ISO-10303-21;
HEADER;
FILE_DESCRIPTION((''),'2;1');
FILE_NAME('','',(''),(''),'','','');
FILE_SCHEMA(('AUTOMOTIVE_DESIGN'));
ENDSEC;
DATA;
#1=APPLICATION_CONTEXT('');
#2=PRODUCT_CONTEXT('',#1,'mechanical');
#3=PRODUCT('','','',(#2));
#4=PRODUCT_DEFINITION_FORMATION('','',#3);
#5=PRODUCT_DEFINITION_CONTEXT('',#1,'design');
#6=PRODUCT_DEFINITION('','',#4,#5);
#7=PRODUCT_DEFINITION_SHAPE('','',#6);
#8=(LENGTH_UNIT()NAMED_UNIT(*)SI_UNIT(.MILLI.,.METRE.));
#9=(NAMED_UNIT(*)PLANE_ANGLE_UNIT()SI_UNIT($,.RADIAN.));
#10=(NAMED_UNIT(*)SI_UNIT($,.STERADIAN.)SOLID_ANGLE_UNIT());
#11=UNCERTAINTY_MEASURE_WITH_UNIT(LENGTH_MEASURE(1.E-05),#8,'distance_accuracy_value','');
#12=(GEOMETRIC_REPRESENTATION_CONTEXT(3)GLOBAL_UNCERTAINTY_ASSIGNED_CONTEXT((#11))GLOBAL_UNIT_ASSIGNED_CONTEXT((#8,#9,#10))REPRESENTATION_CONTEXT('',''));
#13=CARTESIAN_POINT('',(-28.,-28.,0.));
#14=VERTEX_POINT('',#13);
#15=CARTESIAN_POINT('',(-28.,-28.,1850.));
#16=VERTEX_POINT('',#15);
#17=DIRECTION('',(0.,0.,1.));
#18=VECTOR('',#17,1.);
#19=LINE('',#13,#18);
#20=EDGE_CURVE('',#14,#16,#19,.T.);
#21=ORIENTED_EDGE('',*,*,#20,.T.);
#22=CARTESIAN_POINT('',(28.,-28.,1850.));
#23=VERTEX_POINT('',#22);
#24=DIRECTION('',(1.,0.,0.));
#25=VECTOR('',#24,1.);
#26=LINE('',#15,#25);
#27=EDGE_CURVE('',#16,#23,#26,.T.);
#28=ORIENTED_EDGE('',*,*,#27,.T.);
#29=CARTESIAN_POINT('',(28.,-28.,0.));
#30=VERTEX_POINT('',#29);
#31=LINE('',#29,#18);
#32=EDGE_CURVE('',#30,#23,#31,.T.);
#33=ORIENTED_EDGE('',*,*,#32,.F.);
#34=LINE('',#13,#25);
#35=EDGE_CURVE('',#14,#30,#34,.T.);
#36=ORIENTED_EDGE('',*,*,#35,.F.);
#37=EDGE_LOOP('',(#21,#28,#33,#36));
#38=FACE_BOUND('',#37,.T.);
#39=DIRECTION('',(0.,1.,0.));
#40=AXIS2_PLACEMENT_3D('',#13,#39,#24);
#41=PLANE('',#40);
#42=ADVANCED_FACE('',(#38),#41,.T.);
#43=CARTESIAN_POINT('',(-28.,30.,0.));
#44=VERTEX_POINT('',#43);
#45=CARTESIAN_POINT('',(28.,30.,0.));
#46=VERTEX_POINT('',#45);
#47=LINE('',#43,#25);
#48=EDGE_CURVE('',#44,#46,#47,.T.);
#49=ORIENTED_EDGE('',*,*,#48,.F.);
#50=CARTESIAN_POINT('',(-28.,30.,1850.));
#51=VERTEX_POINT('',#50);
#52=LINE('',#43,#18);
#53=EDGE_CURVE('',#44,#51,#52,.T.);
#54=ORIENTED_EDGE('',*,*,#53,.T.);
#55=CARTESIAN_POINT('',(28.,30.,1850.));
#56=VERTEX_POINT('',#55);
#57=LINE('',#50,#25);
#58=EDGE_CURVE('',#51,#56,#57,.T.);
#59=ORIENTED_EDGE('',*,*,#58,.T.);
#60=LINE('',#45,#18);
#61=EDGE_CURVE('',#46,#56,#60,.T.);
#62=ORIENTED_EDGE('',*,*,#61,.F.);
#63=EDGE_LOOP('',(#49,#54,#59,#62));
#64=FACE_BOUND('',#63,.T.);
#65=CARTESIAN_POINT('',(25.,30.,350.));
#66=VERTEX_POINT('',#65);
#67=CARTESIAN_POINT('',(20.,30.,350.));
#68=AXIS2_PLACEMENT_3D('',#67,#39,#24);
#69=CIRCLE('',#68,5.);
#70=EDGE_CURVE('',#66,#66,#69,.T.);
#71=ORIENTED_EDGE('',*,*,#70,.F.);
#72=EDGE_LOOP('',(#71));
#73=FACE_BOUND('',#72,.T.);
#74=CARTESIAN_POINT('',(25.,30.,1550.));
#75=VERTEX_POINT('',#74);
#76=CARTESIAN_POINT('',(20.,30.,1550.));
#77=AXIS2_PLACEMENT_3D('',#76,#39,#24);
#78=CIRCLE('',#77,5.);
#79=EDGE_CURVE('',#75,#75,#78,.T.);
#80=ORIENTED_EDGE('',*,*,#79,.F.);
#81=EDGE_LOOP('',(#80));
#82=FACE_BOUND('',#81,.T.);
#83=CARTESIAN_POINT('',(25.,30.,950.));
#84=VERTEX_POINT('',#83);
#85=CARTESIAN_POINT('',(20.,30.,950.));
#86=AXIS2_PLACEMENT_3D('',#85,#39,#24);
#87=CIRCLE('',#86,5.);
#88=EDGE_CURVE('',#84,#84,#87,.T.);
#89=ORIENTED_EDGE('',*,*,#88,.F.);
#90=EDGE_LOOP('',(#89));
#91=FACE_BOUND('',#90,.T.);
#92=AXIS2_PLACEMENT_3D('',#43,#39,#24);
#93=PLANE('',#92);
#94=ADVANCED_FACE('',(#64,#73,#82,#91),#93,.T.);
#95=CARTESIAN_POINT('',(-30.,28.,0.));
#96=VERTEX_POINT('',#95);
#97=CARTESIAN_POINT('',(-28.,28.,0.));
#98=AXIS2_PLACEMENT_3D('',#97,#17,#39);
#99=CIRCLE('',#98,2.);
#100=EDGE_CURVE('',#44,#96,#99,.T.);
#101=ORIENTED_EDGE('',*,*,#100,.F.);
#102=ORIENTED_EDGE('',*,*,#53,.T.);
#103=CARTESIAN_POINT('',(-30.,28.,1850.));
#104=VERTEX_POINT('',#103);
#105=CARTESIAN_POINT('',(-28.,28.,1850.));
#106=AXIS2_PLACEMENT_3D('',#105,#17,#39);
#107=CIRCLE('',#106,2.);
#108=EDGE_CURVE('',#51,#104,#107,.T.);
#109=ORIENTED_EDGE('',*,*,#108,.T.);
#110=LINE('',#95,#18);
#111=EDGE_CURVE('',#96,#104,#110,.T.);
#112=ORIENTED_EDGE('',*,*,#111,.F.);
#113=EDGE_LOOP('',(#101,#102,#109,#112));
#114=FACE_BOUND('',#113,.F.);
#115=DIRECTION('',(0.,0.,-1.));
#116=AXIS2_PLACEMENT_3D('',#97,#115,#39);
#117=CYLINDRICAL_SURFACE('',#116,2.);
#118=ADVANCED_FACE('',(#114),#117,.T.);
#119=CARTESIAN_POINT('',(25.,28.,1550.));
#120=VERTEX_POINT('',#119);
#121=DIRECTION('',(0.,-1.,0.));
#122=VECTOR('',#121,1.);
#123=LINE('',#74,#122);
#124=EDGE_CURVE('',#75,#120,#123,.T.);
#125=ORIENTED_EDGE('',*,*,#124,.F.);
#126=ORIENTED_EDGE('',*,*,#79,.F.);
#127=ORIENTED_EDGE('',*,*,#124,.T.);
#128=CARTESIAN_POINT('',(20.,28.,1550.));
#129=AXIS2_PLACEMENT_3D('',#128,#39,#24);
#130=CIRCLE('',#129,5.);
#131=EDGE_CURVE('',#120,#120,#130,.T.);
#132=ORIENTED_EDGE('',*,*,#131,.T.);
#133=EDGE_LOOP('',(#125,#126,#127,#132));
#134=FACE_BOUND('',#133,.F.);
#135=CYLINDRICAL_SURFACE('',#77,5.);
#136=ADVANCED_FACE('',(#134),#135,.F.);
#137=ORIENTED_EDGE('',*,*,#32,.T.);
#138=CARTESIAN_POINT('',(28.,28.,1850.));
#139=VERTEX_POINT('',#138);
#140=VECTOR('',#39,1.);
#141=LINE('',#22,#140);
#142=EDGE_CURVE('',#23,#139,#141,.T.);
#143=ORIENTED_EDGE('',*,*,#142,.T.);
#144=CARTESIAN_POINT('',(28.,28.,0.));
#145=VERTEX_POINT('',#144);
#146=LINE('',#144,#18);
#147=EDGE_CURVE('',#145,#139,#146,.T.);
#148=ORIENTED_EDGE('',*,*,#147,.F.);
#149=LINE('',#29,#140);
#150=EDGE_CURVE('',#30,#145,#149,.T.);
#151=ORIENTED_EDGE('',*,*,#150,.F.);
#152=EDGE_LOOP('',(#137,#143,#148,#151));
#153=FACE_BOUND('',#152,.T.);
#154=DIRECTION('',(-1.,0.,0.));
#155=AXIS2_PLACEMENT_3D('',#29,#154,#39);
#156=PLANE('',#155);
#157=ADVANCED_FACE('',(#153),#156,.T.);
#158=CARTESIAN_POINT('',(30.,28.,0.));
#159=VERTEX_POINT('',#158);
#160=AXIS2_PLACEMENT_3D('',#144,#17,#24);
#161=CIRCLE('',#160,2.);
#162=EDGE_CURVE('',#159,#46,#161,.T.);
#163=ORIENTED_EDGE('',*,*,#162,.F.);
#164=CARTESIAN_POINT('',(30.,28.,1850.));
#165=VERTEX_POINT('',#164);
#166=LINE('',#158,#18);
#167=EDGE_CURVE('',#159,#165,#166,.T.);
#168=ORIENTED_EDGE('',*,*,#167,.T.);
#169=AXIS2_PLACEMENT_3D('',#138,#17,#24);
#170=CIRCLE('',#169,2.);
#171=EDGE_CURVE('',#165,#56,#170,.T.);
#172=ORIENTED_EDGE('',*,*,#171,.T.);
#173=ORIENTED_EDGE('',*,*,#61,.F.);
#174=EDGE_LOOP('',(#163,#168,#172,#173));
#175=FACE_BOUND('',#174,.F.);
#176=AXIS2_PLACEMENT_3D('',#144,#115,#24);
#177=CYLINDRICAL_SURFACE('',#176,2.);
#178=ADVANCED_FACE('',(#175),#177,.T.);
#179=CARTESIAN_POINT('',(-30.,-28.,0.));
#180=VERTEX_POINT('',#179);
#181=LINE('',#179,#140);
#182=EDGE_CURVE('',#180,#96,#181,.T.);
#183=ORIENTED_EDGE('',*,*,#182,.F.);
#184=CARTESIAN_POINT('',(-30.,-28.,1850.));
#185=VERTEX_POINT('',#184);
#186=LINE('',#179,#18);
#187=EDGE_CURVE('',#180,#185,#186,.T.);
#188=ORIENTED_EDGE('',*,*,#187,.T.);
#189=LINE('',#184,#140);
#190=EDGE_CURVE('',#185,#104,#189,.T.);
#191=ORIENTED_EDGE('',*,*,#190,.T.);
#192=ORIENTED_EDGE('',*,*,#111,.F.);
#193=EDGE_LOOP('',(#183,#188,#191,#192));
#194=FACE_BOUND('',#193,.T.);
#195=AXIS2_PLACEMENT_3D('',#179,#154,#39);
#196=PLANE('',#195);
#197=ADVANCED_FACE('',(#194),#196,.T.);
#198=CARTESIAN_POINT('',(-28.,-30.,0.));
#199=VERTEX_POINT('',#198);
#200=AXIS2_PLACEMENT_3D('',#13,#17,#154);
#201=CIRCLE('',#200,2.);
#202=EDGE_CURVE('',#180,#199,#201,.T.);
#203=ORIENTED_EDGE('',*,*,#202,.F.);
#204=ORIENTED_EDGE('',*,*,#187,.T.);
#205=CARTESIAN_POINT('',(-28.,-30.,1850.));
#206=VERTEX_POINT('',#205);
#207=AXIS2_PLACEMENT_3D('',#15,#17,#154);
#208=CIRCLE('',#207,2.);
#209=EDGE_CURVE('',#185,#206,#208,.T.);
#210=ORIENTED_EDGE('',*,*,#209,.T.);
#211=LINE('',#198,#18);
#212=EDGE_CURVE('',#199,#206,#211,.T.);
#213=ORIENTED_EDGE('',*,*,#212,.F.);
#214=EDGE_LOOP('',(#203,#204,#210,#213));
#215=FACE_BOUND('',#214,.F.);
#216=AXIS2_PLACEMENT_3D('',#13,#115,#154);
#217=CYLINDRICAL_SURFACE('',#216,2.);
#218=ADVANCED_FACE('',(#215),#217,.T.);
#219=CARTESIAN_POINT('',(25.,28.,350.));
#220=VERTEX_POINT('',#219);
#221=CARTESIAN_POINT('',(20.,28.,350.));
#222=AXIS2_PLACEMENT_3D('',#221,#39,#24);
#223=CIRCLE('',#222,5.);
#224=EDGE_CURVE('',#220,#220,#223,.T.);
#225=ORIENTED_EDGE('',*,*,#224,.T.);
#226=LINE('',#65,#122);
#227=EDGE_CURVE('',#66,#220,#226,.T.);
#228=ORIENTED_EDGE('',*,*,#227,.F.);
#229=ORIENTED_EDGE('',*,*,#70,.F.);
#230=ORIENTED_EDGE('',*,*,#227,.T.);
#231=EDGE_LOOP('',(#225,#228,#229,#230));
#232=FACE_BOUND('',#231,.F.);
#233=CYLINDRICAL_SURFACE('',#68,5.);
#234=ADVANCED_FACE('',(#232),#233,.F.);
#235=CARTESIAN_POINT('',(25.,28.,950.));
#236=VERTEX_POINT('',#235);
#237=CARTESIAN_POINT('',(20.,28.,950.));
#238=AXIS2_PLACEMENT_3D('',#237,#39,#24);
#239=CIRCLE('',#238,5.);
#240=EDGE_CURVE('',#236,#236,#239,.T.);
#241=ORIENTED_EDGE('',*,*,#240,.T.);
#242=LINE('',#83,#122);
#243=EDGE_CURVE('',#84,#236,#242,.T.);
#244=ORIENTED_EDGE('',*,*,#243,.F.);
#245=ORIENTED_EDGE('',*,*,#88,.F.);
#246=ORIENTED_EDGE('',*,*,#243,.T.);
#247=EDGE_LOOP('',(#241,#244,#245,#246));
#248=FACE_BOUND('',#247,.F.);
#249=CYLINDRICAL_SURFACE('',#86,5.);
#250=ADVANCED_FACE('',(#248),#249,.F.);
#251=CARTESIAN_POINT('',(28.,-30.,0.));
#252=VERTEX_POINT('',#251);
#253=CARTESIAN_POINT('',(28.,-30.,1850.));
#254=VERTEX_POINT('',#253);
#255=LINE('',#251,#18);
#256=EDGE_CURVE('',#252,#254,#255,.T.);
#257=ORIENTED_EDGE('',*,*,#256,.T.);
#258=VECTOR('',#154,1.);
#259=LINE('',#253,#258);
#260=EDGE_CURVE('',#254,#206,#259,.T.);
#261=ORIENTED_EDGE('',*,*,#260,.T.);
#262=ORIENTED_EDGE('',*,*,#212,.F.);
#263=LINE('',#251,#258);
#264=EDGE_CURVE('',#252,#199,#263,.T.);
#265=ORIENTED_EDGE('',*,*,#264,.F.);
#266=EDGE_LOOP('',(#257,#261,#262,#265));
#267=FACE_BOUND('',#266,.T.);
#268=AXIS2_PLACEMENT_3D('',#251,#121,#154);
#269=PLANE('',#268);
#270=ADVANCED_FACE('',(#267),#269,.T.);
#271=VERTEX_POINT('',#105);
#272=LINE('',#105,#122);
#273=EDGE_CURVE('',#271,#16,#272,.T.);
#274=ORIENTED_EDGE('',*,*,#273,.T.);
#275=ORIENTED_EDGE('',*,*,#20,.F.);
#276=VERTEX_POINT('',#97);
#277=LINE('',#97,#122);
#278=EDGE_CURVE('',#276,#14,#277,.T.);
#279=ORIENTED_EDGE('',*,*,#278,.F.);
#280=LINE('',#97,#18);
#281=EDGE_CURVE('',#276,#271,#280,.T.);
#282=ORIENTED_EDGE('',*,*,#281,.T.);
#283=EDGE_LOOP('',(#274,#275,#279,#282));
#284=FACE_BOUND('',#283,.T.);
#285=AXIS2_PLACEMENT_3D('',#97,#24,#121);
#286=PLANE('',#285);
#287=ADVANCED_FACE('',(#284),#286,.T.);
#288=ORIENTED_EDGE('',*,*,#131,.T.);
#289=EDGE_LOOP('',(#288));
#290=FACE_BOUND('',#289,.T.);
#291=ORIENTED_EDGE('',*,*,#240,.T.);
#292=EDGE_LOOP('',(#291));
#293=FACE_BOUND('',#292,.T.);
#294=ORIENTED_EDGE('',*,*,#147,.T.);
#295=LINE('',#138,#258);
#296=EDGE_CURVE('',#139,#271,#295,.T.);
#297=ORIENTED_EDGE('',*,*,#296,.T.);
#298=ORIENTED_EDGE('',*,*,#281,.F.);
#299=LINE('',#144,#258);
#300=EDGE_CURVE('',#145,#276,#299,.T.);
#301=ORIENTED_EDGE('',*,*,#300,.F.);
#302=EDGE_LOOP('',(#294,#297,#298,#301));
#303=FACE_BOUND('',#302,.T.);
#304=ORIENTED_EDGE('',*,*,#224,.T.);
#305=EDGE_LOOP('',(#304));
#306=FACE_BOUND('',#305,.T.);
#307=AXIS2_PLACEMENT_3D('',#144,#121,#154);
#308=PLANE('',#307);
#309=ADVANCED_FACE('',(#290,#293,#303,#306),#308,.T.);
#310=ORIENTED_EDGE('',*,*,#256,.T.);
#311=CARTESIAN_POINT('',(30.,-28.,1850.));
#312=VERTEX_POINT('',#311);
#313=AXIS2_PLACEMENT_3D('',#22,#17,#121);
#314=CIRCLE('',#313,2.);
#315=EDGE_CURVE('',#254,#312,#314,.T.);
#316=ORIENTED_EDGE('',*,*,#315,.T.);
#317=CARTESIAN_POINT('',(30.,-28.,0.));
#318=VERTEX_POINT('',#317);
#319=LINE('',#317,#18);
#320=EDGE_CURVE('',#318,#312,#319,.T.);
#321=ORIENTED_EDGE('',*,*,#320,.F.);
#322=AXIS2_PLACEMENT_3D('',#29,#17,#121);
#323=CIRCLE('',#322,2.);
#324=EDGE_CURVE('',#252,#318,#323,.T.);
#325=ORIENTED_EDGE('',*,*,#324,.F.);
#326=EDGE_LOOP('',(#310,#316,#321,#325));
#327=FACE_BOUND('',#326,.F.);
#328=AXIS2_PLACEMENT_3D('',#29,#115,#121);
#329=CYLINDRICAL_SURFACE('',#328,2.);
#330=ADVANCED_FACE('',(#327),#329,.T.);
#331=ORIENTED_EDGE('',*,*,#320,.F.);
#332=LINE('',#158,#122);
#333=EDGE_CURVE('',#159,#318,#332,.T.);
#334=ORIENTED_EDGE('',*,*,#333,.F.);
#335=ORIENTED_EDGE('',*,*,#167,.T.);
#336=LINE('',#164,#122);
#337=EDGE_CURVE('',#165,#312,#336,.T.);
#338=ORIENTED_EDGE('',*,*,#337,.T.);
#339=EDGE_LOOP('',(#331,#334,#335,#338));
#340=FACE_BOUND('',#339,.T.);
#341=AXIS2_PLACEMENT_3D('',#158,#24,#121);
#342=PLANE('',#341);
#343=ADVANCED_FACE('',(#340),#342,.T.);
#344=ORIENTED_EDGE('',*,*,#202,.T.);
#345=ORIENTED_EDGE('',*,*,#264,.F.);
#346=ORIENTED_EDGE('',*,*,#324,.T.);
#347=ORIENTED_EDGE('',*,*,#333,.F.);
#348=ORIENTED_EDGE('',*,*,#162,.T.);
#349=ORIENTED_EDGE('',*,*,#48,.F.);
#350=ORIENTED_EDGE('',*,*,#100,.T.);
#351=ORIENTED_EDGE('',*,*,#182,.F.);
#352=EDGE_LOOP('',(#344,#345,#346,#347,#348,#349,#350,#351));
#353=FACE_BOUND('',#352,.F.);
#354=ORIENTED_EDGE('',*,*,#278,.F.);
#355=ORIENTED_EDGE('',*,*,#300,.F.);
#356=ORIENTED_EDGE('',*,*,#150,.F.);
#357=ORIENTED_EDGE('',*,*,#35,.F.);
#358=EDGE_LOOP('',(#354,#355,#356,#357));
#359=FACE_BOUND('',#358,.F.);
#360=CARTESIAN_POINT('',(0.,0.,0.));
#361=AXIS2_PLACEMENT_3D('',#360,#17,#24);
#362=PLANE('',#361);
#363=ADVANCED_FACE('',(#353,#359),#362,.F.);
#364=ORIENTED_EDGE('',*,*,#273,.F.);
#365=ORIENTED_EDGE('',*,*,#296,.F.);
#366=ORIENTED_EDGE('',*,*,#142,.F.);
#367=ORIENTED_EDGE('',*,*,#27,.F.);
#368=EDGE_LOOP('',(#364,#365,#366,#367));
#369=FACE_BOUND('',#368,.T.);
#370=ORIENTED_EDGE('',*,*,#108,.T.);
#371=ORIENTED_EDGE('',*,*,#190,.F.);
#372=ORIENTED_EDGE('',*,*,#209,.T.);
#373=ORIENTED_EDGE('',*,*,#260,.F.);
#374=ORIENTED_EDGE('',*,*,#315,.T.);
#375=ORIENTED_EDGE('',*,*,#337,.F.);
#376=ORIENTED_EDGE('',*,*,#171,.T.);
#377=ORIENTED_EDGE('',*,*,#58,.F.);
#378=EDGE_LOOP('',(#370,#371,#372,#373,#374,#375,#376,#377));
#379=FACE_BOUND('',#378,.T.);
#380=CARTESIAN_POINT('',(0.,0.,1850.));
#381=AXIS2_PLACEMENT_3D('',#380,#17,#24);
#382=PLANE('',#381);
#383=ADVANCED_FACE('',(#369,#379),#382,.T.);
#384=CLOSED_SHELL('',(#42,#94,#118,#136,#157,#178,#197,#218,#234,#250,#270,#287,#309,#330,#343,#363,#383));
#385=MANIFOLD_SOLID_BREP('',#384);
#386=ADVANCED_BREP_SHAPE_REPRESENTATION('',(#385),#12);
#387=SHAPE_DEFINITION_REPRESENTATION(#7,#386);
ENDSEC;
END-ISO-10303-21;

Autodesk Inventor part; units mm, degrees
ref_plane "YZ Plane" through (0, 0, 0) normal (1, 0, 0) x (0, 1, 0)
ref_plane "XZ Plane" through (0, 0, 0) normal (0, 1, 0) x (-1, 0, 0)
ref_plane "XY Plane" through (0, 0, 0) normal (0, 0, 1) x (1, 0, 0)
sketch "Sketch1" plane through (0, 0, 0) normal (0, 0, 1) x (1, 0, 0)
  line L0 (-28, 30) -> (28, 30)
  line L1 (30, 28) -> (30, -28)
  line L2 (28, -30) -> (-28, -30)
  line L3 (-30, -28) -> (-30, 28)
  line L4 (-30, 30) -> (30, -30) construction
  line L5 (28, 28) -> (-28, 28)
  line L6 (-28, 28) -> (-28, -28)
  line L7 (-28, -28) -> (28, -28)
  line L8 (28, -28) -> (28, 28)
  arc A0 (-28, 30) -> (-30, 28) centre (-28, 28) ccw
  arc A1 (30, 28) -> (28, 30) centre (28, 28) ccw
  arc A2 (28, -30) -> (30, -28) centre (28, -28) ccw
  arc A3 (-30, -28) -> (-28, -30) centre (-28, -28) ccw
  point P0 (0, 0)
  point P1 (30, 30)
  point P2 (-30, -30)
  point P3 (0, 0)
  dimension "d0" = 60
  dimension "d1" = 60
  dimension "d2" = 2
  dimension "d3" = 2
extrude "Extrusion1" add sketch "Sketch1" along normal blind 1850
sketch "Sketch2" plane through (-28, 30, 0) normal (0, 1, 0) x (1, 0, 0)
  circle A0 centre (48, -950) radius 5
  line L0 (56, -1850) -> (0, -1850) projected
  line L1 (56, 0) -> (0, 0) projected
  circle A1 centre (48, -350) radius 5
  circle A2 centre (48, -1550) radius 5
  line L2 (48, -116) -> (48, -1518) construction
  line L3 (58, 0) -> (58, -1850) projected
  point P0 (28, 0)
  dimension "d6" = 10
  dimension "d10" = 950
  dimension "d11" = 10
  dimension "d12" = 10
  dimension "d13" = 600
  dimension "d14" = 600
  dimension "d15" = 10
extrude "Extrusion2" cut sketch "Sketch2" against normal up to next
properties part number "TABLE_BERAM" material "Stainless Steel"
